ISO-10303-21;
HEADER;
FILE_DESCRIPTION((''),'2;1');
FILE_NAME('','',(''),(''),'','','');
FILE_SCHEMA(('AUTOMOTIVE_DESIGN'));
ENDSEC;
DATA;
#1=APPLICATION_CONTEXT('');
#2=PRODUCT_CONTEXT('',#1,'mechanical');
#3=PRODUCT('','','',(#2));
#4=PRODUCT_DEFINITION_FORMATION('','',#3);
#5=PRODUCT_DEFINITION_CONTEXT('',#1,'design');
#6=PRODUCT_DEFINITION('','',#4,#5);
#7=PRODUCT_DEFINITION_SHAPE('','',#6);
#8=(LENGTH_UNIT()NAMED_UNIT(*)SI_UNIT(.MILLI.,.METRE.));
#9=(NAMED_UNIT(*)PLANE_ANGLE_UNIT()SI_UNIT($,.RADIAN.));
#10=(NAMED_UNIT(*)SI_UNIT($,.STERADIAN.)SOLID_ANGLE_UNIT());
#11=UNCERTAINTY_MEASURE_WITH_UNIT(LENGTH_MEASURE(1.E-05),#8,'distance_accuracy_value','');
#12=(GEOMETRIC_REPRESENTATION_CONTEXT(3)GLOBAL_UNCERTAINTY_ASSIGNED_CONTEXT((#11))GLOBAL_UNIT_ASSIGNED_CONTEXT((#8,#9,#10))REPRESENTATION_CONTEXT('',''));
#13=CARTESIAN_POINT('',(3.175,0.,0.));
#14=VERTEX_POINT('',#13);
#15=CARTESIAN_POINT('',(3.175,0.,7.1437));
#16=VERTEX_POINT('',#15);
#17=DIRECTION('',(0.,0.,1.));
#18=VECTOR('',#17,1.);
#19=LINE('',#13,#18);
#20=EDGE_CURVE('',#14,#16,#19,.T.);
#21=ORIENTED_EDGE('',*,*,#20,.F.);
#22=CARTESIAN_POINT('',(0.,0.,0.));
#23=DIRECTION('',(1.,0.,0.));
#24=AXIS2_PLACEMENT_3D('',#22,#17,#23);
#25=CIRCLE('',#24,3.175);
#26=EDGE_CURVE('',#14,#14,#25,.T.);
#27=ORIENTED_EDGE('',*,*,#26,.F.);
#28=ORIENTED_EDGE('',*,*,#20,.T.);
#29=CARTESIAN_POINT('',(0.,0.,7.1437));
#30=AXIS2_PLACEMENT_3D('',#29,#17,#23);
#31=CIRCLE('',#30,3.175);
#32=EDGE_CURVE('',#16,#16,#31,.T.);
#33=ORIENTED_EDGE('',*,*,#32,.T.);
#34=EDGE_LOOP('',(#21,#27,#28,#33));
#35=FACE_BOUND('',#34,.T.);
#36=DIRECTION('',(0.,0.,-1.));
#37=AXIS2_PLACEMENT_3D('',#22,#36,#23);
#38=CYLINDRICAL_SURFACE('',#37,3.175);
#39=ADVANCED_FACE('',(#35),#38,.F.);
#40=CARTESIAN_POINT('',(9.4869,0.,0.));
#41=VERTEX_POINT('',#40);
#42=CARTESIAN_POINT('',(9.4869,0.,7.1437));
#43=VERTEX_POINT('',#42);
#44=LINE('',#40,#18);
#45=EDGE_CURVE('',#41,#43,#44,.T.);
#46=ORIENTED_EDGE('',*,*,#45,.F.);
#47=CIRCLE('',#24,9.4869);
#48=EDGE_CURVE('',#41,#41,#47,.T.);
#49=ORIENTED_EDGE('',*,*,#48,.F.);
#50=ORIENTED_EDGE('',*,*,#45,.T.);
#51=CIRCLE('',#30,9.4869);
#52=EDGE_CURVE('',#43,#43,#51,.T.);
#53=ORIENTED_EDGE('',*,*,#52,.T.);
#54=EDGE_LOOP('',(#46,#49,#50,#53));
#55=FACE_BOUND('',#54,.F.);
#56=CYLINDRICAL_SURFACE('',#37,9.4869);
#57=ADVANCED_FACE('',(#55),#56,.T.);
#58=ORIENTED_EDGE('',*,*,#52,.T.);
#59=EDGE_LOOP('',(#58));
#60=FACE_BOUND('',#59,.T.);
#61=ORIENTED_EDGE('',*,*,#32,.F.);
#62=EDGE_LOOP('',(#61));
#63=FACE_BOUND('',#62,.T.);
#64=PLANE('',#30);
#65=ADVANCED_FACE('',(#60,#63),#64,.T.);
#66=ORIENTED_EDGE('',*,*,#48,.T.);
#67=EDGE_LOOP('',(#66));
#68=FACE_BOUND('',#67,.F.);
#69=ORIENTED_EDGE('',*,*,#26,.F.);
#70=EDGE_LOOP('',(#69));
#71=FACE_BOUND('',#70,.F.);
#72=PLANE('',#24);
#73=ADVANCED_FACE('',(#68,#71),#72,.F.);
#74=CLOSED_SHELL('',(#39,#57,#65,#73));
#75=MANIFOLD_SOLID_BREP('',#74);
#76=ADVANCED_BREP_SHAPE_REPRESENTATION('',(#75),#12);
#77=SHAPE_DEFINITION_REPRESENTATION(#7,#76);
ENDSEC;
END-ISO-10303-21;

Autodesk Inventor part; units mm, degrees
ref_plane "YZ Plane" through (0, 0, 0) normal (1, 0, 0) x (0, 1, 0)
ref_plane "XZ Plane" through (0, 0, 0) normal (0, 1, 0) x (-1, 0, 0)
ref_plane "XY Plane" through (0, 0, 0) normal (0, 0, 1) x (1, 0, 0)
sketch "Sketch1" plane through (0, 0, 0) normal (0, 0, 1) x (1, 0, 0)
  circle A0 centre (0, 0) radius 3.175
  circle A1 centre (0, 0) radius 9.4869
  dimension "d0" = 6.35
  dimension "d1" = 18.9738
extrude "Extrusion1" add sketch "Sketch1" along normal blind 7.1437
properties part number "Wrist Pin Bearing"
